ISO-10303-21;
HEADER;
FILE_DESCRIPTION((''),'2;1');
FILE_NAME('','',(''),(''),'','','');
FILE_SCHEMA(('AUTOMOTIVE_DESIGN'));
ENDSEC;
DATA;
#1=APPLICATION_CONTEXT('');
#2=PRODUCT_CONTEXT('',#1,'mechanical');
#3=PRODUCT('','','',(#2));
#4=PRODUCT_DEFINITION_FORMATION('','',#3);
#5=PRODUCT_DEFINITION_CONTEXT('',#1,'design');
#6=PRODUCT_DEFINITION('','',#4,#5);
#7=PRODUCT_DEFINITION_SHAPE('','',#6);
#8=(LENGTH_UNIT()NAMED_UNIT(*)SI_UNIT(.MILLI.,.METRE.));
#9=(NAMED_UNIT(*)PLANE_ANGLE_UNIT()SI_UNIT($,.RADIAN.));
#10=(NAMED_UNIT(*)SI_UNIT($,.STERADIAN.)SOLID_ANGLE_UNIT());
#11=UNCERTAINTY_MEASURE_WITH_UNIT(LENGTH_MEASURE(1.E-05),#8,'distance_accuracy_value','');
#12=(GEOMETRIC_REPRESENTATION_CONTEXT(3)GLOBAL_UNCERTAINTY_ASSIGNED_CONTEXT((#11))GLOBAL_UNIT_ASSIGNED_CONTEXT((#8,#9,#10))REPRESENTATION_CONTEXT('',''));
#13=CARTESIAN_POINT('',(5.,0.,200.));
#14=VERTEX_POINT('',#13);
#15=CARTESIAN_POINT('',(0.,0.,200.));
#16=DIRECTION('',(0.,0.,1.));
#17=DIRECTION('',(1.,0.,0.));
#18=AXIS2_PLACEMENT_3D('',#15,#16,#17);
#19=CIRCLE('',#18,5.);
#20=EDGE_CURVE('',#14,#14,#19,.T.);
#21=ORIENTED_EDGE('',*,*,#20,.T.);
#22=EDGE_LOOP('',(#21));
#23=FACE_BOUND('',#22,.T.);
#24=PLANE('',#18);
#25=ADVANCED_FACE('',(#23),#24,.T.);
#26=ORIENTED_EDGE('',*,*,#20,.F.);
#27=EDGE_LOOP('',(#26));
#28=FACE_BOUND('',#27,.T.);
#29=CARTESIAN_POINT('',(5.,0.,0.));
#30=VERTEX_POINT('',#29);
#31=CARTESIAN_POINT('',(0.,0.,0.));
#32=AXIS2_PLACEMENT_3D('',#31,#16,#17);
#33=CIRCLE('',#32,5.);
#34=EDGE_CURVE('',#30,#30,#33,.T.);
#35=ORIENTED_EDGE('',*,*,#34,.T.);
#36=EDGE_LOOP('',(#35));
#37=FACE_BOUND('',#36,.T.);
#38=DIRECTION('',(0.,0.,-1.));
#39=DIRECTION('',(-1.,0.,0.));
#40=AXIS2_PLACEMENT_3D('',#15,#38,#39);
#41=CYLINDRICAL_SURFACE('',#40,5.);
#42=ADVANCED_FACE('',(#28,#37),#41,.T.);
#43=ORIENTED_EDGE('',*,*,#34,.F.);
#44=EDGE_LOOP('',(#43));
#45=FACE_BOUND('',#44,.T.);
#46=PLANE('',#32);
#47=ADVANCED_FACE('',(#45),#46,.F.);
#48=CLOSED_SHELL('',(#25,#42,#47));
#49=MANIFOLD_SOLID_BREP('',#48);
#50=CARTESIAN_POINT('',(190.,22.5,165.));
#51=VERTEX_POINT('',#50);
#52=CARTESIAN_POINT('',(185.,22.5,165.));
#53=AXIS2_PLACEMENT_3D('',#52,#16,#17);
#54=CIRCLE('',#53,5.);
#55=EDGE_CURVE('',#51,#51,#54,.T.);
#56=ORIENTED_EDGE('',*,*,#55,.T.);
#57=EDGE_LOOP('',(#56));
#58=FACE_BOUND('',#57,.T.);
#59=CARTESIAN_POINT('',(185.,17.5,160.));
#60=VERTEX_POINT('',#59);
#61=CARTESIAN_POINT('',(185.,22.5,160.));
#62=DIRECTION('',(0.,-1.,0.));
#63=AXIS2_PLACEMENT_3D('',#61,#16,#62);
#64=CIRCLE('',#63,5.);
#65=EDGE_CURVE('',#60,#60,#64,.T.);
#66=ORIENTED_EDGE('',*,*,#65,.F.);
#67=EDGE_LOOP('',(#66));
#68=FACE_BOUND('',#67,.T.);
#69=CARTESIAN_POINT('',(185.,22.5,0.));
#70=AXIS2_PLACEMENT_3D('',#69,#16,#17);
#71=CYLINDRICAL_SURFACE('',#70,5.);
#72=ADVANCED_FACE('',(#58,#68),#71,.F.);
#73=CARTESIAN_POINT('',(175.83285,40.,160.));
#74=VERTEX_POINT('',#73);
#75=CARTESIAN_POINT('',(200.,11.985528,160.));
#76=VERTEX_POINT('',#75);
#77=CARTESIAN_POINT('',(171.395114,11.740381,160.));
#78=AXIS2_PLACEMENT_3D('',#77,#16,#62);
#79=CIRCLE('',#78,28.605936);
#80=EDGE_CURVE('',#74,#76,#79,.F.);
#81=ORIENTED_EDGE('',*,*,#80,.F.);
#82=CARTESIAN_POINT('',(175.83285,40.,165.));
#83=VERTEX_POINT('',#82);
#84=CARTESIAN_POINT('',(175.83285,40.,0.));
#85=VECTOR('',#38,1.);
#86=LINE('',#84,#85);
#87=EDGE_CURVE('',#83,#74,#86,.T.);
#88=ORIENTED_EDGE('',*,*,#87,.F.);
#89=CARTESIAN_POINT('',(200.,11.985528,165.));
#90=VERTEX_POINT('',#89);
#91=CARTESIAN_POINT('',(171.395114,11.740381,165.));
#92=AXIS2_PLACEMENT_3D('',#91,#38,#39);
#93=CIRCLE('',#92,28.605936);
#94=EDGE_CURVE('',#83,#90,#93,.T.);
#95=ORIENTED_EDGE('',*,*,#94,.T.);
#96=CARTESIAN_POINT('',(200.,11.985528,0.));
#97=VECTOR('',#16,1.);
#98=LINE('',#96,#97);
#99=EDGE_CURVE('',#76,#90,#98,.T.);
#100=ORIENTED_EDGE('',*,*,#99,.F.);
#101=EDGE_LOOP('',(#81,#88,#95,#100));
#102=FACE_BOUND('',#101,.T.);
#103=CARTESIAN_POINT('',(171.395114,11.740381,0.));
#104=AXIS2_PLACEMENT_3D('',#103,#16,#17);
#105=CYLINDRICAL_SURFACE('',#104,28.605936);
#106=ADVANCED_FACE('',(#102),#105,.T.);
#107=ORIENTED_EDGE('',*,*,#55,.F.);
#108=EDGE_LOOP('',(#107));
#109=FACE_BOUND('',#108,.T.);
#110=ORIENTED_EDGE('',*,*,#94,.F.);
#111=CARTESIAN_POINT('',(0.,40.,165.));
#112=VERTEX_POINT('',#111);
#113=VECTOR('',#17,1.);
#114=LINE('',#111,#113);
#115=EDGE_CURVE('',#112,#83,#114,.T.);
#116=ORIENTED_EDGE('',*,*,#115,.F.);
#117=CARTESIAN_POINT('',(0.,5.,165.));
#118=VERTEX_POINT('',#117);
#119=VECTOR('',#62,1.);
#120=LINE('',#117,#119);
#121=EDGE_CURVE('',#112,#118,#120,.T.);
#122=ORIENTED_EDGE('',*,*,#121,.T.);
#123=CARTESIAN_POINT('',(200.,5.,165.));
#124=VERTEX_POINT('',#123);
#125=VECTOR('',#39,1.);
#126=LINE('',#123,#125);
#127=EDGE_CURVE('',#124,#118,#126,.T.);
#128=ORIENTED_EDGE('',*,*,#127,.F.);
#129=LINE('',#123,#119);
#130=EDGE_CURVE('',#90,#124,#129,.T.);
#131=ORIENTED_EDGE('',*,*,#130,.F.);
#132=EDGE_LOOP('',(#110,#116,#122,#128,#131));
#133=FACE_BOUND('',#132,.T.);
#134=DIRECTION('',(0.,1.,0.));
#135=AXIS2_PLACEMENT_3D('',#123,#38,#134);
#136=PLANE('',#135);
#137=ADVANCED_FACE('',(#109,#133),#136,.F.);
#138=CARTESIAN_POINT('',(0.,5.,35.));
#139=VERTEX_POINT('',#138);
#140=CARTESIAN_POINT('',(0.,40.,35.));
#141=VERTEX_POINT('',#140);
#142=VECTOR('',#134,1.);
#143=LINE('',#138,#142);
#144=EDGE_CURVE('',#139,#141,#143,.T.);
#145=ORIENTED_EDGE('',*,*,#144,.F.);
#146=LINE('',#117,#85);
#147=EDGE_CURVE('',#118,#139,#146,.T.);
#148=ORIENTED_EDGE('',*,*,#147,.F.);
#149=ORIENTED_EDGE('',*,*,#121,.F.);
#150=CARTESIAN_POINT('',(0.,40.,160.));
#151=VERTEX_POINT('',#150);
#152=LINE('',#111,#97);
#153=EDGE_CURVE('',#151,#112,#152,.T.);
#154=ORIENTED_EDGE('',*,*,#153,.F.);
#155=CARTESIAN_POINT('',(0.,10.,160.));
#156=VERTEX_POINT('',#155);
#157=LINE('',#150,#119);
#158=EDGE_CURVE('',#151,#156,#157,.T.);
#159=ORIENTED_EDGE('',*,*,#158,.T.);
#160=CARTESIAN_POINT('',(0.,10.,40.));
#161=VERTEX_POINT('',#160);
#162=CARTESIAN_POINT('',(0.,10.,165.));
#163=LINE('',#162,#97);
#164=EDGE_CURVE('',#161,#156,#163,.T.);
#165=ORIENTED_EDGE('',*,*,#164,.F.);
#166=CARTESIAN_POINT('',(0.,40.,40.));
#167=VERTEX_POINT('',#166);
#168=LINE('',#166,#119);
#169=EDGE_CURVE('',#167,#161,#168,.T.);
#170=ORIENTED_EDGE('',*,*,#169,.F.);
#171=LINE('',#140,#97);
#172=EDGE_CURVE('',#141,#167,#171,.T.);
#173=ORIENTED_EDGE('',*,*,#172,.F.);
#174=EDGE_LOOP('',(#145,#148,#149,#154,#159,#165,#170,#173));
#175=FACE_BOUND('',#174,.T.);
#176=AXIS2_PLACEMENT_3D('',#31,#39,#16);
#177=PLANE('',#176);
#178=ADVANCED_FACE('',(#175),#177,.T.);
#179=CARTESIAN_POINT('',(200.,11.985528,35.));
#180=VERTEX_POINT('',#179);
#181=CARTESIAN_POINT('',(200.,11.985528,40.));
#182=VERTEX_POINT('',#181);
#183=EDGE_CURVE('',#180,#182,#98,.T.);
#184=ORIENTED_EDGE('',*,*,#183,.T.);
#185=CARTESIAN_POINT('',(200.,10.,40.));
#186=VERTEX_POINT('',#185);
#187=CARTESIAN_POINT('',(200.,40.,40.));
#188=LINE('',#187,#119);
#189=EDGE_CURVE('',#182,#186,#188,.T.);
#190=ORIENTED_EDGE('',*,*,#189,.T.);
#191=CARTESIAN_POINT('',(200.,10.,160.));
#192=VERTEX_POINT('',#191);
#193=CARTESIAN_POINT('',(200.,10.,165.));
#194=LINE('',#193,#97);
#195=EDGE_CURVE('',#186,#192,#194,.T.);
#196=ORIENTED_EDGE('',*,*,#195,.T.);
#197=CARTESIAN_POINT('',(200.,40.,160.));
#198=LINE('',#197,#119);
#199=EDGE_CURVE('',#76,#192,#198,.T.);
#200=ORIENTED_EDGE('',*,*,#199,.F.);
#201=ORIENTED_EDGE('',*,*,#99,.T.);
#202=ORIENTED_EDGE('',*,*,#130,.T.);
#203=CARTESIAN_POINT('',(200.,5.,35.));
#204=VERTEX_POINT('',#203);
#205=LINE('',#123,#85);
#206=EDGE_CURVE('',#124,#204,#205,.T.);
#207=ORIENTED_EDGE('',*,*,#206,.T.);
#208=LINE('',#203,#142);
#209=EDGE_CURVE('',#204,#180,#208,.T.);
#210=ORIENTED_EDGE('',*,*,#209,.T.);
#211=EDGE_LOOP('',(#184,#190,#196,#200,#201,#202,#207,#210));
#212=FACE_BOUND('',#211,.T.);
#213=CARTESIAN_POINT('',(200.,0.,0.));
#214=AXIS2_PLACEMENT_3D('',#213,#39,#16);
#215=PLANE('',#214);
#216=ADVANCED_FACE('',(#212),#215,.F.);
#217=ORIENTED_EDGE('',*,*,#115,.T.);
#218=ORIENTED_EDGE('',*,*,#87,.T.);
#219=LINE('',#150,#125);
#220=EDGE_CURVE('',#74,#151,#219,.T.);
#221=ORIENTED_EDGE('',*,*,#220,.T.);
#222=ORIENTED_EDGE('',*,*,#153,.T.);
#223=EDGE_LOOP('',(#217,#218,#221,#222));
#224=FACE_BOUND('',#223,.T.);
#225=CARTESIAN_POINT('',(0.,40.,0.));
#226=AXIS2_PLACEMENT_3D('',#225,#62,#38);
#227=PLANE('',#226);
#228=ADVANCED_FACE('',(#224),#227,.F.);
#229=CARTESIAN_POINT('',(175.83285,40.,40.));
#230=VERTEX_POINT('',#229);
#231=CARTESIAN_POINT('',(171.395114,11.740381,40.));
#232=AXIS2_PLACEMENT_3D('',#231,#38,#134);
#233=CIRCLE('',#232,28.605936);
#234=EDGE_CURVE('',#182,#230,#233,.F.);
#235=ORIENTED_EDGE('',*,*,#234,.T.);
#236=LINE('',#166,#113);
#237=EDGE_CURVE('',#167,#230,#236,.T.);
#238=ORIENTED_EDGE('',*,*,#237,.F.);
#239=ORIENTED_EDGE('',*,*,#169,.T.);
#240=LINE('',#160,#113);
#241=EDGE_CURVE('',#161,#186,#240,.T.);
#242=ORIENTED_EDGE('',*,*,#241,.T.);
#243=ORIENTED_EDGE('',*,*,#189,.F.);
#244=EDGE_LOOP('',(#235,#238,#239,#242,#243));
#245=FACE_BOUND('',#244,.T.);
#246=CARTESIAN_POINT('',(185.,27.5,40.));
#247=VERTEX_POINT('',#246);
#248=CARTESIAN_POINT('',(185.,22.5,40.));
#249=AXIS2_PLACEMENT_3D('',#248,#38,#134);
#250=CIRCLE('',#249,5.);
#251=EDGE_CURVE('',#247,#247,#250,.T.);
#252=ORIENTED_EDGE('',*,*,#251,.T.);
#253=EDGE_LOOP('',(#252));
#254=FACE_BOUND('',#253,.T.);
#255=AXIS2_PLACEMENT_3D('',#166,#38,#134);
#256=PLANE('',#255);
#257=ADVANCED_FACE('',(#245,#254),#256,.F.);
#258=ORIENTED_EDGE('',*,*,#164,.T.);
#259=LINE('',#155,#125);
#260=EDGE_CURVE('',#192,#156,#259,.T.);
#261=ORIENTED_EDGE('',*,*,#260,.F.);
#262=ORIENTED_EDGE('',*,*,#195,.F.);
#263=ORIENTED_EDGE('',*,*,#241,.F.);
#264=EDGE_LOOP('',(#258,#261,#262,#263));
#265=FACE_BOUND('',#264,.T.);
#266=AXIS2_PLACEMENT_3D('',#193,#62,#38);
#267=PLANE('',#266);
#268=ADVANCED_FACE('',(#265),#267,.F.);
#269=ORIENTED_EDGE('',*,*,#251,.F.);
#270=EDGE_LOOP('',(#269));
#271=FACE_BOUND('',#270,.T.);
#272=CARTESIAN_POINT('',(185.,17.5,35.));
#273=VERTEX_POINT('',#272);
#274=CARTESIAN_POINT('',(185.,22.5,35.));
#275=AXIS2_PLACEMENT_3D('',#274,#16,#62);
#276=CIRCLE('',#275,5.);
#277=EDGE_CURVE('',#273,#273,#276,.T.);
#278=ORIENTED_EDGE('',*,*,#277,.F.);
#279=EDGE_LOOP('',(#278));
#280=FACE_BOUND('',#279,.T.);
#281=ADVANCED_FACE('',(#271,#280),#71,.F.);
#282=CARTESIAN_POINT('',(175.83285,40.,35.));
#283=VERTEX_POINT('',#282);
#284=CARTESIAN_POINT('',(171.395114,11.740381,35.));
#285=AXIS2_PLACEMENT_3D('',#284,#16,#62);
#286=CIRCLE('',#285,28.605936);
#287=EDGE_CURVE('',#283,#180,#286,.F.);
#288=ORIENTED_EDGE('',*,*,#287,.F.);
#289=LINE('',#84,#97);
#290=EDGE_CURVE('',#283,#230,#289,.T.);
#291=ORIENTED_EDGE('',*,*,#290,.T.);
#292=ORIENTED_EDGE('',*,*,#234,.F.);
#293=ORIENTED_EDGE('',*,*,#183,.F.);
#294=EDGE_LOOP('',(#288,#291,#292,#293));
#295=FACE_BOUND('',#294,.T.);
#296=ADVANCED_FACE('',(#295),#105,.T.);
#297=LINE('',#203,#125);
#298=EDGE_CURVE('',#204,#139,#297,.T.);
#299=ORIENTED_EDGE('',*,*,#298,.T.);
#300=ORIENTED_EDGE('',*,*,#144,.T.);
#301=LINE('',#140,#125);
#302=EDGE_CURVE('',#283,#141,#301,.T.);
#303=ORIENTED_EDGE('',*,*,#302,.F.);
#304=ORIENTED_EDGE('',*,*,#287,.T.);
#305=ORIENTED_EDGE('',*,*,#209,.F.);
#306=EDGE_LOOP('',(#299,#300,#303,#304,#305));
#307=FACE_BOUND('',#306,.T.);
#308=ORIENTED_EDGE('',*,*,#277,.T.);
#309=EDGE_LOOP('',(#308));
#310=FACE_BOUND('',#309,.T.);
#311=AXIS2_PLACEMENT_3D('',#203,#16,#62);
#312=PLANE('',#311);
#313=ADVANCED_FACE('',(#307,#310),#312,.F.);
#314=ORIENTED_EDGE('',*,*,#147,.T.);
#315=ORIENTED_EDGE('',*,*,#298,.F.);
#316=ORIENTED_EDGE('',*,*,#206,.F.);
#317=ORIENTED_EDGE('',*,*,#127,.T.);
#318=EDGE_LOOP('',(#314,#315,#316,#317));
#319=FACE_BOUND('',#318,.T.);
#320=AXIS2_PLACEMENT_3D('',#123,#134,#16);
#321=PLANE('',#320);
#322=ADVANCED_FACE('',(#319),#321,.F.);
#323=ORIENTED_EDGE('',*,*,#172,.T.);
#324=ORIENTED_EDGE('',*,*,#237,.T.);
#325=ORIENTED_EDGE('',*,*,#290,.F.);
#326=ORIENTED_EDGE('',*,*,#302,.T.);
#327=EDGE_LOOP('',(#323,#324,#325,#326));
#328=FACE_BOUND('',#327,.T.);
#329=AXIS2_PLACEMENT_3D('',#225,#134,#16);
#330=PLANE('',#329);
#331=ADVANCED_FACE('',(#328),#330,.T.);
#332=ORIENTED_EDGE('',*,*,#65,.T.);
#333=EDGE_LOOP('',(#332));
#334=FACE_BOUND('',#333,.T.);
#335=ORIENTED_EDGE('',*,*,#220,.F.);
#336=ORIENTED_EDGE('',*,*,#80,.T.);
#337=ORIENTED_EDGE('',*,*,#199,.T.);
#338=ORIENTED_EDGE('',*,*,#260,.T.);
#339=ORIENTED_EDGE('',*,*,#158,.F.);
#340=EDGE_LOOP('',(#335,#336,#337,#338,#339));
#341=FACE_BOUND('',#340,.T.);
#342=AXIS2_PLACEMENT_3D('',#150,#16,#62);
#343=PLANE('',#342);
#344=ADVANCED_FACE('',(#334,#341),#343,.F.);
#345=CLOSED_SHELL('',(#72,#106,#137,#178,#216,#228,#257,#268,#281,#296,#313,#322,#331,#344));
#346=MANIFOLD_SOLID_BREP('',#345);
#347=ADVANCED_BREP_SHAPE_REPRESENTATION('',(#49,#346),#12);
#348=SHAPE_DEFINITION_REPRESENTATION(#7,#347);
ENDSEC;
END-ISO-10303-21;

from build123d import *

# Parameters (mm, degrees)
SKETCH1_R           = 5
BOSS_EXTRUDE1_DEPTH = 200
SKETCH2_W           = 130
SKETCH2_H           = 5
BOSS_EXTRUDE2_DEPTH = 200
SKETCH3_W           = 200
SKETCH3_H           = 5
BOSS_EXTRUDE3_DEPTH = 30
SKETCH4_R           = 5
CUT_EXTRUDE1_DEPTH  = 263.345192447
CUT_EXTRUDE2_DEPTH  = 263.345192447


with BuildPart() as part:
    # Sketch1 → Boss-Extrude1 (new body)
    with BuildSketch(Plane.XY):
        Circle(SKETCH1_R)
    extrude(amount=BOSS_EXTRUDE1_DEPTH)


with BuildPart() as body_2:
    # Sketch2 → Boss-Extrude2 (new body)
    with BuildSketch(Plane(origin=(0, 0, 0), x_dir=(0, 0, -1), z_dir=(1, 0, 0))):
        with Locations((-100, 7.5)):
            Rectangle(SKETCH2_W, SKETCH2_H)
    extrude(amount=BOSS_EXTRUDE2_DEPTH)

    # Sketch3 → Boss-Extrude3 (add)
    with BuildSketch(Plane(origin=(0, 10, 0), x_dir=(1, 0, 0), z_dir=(0, 1, 0))):
        with Locations((100, -37.5)):
            Rectangle(SKETCH3_W, SKETCH3_H)
        with Locations((100, -162.5)):
            Rectangle(SKETCH3_W, SKETCH3_H)
    extrude(amount=BOSS_EXTRUDE3_DEPTH)

    # Sketch4 → Cut-Extrude1 (cut, through all)
    with BuildSketch(Plane.XY.offset(165)):
        with Locations((185, 22.5)):
            Circle(SKETCH4_R)
    extrude(amount=-CUT_EXTRUDE1_DEPTH, mode=Mode.SUBTRACT)

    # Sketch5 → Cut-Extrude2 (cut, through all)
    with BuildSketch(Plane.XY.offset(165)):
        with BuildLine():
            Line((175.8328498, 40), (193.165721177, 65.010867295))
            Line((193.165721177, 65.010867295), (236.634308573, 44.851522415))
            Line((236.634308573, 44.851522415), (213.857727293, 11.985528119))
            Line((213.857727293, 11.985528119), (200, 11.985528119))
            ThreePointArc((200, 11.985528119), (193.055131936, 30.425755169), (175.8328498, 40))
        make_face()
    extrude(amount=-CUT_EXTRUDE2_DEPTH, mode=Mode.SUBTRACT)


solid = Compound([part.part, body_2.part])
